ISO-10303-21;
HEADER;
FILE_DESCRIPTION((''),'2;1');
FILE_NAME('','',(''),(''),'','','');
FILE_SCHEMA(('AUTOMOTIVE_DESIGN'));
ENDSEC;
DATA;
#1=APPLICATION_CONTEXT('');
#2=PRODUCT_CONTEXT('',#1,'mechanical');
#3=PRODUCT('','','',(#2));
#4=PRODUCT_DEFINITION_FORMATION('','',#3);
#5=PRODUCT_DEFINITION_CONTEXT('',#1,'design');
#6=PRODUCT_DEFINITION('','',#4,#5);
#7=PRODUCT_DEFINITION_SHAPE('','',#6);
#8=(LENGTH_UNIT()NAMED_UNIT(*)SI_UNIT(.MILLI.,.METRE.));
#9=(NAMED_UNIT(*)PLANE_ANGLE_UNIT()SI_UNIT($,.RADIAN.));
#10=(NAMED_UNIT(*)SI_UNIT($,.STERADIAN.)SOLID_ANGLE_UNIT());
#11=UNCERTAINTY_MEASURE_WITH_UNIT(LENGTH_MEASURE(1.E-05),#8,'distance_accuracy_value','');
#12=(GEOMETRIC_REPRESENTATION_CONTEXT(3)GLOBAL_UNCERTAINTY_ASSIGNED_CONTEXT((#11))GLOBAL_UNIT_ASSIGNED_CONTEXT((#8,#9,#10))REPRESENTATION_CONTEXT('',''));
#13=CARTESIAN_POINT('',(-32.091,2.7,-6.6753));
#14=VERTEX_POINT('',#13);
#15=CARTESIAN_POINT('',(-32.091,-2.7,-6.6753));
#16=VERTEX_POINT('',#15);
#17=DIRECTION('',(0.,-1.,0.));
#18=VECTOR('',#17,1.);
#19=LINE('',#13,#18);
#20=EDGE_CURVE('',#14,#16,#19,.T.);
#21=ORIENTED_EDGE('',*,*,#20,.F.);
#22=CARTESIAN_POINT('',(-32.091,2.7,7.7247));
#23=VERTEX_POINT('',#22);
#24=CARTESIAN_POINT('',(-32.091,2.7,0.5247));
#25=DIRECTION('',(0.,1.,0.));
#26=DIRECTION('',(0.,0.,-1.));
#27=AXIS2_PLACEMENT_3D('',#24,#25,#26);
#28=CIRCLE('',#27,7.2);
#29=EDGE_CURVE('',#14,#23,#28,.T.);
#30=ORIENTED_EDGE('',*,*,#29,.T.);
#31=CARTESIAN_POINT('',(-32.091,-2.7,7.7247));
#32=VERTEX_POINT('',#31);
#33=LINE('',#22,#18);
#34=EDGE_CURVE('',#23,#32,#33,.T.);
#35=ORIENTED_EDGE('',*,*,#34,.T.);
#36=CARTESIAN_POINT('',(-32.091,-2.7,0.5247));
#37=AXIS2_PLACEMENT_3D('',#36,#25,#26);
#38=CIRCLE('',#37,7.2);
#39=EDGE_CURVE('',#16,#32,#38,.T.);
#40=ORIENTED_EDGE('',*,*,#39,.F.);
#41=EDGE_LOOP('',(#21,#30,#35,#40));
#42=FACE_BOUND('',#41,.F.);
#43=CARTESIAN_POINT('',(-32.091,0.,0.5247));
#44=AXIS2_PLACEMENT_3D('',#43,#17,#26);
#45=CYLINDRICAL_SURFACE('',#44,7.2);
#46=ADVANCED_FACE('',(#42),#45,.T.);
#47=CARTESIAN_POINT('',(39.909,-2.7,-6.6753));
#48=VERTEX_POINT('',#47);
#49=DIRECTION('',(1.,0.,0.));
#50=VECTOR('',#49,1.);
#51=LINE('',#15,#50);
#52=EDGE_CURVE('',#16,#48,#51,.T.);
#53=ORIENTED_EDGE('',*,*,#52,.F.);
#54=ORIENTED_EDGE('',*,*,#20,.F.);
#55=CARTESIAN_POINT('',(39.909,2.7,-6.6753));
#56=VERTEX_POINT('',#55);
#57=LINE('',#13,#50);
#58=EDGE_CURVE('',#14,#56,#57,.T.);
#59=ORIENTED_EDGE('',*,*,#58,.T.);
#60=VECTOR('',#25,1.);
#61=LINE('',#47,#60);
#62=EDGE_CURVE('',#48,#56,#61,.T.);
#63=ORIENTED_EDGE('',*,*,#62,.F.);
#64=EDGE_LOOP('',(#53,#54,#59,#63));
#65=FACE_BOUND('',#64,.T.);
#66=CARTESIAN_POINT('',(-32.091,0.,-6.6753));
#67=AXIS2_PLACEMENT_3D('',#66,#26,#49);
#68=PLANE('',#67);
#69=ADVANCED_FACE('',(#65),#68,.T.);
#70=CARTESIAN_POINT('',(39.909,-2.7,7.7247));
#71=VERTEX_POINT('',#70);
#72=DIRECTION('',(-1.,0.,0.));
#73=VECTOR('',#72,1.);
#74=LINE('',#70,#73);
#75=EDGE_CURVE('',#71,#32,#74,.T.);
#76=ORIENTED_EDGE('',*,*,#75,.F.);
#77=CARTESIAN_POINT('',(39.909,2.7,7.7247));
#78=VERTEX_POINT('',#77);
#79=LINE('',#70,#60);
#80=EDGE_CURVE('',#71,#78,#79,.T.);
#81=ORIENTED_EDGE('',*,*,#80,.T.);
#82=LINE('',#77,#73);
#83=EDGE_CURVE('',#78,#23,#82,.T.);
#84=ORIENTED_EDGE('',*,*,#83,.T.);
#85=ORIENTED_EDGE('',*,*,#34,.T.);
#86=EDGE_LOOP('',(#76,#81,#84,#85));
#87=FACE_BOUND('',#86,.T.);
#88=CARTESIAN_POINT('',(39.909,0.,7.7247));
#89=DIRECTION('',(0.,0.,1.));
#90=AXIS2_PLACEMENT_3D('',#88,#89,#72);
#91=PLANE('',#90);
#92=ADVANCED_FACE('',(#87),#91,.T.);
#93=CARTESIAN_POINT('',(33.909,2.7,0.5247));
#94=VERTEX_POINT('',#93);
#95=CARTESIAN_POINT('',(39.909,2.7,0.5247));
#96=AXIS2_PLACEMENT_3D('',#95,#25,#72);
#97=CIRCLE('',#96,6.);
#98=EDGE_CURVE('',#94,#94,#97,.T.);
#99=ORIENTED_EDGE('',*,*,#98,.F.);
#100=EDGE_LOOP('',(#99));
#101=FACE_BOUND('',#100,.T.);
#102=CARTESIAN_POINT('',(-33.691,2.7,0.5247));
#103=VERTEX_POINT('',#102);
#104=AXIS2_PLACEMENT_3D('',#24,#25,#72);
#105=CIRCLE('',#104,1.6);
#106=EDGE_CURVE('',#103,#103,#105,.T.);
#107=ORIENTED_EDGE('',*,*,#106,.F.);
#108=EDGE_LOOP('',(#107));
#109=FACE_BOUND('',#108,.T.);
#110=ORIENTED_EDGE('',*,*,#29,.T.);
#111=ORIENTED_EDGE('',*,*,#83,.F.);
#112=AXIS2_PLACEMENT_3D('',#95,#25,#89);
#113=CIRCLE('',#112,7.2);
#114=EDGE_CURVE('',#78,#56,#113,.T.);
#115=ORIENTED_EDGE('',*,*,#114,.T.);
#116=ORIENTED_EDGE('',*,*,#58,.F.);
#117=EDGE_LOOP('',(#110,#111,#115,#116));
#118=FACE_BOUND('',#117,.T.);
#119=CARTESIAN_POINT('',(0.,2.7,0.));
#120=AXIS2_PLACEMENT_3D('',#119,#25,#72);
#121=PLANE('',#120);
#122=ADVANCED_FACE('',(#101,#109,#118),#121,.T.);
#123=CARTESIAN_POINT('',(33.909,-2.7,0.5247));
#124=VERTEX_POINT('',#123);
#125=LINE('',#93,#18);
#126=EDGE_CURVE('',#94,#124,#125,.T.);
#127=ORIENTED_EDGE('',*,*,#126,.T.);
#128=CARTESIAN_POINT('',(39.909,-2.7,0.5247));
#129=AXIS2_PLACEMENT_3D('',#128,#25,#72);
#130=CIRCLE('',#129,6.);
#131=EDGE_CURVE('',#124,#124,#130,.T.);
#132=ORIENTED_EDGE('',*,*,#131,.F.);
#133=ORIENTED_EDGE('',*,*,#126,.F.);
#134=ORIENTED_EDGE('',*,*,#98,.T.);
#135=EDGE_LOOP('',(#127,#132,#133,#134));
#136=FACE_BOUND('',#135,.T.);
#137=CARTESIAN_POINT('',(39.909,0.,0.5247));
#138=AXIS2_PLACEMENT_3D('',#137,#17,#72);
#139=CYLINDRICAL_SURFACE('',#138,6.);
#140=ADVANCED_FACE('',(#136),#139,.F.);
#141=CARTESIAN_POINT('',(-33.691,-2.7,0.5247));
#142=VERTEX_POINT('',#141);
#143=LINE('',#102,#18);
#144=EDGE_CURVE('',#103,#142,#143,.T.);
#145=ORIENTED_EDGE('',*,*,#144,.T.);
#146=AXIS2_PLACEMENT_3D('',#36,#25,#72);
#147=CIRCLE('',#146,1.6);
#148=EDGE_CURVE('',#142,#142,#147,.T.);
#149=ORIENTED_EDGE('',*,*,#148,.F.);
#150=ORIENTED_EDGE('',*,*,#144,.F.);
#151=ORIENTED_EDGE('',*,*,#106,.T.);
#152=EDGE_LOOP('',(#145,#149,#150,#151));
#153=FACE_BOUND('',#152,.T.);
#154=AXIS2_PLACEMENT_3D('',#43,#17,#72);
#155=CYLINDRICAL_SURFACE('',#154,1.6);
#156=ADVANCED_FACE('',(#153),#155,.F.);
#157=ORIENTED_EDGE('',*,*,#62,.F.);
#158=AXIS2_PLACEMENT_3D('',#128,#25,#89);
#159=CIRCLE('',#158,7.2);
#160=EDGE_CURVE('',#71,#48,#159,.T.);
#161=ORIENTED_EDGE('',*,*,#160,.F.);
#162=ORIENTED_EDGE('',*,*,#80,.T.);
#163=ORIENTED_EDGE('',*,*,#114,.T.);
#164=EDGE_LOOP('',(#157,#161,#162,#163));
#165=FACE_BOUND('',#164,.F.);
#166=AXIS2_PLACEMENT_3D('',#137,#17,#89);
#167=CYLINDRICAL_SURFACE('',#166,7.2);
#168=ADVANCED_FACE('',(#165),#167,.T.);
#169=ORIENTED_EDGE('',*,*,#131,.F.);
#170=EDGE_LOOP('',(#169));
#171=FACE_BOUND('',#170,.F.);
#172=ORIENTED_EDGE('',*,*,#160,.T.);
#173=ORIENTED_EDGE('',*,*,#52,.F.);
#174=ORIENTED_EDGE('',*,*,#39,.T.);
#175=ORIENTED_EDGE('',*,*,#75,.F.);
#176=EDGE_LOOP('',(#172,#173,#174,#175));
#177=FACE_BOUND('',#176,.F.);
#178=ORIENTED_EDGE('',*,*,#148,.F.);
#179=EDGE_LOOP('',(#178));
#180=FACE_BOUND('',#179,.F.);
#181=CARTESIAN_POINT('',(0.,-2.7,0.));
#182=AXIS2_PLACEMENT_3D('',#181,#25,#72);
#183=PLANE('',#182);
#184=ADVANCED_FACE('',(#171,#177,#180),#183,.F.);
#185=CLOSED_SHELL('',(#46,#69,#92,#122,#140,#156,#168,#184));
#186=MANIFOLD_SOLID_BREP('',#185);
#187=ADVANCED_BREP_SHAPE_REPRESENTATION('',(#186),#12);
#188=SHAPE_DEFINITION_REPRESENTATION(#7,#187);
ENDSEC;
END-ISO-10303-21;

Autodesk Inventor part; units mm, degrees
ref_plane "YZ Plane" through (0, 0, 0) normal (1, 0, 0) x (0, 1, 0)
ref_plane "XZ Plane" through (0, 0, 0) normal (0, 1, 0) x (-1, 0, 0)
ref_plane "XY Plane" through (0, 0, 0) normal (0, 0, 1) x (1, 0, 0)
sketch "Sketch1" plane through (0, 0, 0) normal (0, 1, 0) x (-1, 0, 0)
  arc A0 (-39.909, 7.7247) -> (-39.909, -6.6753) centre (-39.909, 0.5247) ccw
  arc A1 (32.091, -6.6753) -> (32.091, 7.7247) centre (32.091, 0.5247) ccw
  line L0 (32.091, -6.6753) -> (-39.909, -6.6753)
  line L1 (-39.909, 7.7247) -> (32.091, 7.7247)
  circle A2 centre (32.091, 0.5247) radius 1.6
  circle A3 centre (-39.909, 0.5247) radius 6
  point P0 (-47.109, 0.5247)
  point P1 (39.291, 0.5247)
  dimension "d34" = 14.4
  dimension "d35" = 86.4
  dimension "d36" = 3.2
  dimension "d37" = 12
  dimension "d38" = 7.2
extrude "Extrusion2" add sketch "Sketch1" along normal mid plane 5.4
properties part number "Uleg"
